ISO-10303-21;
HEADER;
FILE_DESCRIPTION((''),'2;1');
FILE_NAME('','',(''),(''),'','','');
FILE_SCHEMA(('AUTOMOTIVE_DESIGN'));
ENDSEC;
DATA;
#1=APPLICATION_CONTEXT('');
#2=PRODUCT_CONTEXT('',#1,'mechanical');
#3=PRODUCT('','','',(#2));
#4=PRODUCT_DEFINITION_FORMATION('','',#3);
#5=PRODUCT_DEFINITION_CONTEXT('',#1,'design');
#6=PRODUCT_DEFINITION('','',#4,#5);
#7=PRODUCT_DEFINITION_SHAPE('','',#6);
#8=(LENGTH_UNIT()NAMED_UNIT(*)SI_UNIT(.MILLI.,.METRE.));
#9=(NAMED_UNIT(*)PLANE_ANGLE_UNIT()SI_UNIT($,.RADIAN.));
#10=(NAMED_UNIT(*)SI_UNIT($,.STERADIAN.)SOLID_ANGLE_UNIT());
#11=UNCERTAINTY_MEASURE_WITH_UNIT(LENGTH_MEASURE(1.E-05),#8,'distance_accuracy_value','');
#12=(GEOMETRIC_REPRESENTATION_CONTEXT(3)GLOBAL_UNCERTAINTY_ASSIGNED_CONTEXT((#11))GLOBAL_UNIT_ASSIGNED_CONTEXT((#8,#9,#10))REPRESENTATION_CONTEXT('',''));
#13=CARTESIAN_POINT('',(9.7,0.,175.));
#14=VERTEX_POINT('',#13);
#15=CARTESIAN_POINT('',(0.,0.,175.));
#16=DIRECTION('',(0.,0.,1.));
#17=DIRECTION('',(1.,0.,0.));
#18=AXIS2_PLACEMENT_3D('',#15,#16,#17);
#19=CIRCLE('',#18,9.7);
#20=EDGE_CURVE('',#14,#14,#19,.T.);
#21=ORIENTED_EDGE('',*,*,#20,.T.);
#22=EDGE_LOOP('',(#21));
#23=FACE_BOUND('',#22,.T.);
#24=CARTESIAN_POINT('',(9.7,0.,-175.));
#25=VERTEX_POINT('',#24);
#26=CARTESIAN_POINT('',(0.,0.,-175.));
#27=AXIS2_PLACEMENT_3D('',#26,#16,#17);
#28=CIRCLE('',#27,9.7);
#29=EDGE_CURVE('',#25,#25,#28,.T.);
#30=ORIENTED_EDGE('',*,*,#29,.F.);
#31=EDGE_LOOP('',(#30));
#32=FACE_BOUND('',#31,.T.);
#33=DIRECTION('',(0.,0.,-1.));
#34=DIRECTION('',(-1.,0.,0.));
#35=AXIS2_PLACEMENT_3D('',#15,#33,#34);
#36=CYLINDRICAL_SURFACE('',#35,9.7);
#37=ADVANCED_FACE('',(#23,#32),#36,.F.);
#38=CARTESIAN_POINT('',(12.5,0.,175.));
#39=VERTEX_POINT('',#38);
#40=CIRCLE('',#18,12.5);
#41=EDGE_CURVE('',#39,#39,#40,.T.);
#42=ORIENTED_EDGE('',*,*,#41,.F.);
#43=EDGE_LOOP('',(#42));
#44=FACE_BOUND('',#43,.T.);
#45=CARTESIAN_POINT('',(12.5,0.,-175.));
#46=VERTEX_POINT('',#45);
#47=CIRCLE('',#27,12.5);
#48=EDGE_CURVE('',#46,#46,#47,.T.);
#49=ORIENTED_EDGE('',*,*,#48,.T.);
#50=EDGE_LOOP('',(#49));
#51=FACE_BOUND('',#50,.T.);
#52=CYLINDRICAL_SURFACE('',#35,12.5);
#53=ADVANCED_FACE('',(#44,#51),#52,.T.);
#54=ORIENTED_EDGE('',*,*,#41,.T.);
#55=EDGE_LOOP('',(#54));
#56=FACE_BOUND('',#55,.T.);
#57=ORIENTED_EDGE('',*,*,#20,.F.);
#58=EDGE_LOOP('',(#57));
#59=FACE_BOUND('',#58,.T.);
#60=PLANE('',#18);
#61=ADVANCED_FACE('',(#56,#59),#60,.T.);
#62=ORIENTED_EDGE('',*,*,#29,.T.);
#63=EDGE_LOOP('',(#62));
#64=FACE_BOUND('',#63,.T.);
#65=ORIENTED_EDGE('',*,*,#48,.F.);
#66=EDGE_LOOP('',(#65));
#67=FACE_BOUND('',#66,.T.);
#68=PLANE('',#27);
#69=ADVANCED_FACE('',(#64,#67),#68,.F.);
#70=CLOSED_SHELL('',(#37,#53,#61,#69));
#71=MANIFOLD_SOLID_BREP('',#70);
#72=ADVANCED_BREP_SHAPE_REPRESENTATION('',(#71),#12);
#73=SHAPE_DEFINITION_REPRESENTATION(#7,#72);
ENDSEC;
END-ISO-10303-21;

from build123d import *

# Parameters (mm, degrees)
SKETCH_1_R      = 12.5
SKETCH_1_R_2    = 9.7
EXTRUDE_1_DEPTH = 175


with BuildPart() as part:
    # 草图1 → 凸台-拉伸1 (new body, symmetric)
    with BuildSketch(Plane.XY):
        Circle(SKETCH_1_R)
        Circle(SKETCH_1_R_2, mode=Mode.SUBTRACT)
    extrude(amount=EXTRUDE_1_DEPTH, both=True)


solid = part.part
